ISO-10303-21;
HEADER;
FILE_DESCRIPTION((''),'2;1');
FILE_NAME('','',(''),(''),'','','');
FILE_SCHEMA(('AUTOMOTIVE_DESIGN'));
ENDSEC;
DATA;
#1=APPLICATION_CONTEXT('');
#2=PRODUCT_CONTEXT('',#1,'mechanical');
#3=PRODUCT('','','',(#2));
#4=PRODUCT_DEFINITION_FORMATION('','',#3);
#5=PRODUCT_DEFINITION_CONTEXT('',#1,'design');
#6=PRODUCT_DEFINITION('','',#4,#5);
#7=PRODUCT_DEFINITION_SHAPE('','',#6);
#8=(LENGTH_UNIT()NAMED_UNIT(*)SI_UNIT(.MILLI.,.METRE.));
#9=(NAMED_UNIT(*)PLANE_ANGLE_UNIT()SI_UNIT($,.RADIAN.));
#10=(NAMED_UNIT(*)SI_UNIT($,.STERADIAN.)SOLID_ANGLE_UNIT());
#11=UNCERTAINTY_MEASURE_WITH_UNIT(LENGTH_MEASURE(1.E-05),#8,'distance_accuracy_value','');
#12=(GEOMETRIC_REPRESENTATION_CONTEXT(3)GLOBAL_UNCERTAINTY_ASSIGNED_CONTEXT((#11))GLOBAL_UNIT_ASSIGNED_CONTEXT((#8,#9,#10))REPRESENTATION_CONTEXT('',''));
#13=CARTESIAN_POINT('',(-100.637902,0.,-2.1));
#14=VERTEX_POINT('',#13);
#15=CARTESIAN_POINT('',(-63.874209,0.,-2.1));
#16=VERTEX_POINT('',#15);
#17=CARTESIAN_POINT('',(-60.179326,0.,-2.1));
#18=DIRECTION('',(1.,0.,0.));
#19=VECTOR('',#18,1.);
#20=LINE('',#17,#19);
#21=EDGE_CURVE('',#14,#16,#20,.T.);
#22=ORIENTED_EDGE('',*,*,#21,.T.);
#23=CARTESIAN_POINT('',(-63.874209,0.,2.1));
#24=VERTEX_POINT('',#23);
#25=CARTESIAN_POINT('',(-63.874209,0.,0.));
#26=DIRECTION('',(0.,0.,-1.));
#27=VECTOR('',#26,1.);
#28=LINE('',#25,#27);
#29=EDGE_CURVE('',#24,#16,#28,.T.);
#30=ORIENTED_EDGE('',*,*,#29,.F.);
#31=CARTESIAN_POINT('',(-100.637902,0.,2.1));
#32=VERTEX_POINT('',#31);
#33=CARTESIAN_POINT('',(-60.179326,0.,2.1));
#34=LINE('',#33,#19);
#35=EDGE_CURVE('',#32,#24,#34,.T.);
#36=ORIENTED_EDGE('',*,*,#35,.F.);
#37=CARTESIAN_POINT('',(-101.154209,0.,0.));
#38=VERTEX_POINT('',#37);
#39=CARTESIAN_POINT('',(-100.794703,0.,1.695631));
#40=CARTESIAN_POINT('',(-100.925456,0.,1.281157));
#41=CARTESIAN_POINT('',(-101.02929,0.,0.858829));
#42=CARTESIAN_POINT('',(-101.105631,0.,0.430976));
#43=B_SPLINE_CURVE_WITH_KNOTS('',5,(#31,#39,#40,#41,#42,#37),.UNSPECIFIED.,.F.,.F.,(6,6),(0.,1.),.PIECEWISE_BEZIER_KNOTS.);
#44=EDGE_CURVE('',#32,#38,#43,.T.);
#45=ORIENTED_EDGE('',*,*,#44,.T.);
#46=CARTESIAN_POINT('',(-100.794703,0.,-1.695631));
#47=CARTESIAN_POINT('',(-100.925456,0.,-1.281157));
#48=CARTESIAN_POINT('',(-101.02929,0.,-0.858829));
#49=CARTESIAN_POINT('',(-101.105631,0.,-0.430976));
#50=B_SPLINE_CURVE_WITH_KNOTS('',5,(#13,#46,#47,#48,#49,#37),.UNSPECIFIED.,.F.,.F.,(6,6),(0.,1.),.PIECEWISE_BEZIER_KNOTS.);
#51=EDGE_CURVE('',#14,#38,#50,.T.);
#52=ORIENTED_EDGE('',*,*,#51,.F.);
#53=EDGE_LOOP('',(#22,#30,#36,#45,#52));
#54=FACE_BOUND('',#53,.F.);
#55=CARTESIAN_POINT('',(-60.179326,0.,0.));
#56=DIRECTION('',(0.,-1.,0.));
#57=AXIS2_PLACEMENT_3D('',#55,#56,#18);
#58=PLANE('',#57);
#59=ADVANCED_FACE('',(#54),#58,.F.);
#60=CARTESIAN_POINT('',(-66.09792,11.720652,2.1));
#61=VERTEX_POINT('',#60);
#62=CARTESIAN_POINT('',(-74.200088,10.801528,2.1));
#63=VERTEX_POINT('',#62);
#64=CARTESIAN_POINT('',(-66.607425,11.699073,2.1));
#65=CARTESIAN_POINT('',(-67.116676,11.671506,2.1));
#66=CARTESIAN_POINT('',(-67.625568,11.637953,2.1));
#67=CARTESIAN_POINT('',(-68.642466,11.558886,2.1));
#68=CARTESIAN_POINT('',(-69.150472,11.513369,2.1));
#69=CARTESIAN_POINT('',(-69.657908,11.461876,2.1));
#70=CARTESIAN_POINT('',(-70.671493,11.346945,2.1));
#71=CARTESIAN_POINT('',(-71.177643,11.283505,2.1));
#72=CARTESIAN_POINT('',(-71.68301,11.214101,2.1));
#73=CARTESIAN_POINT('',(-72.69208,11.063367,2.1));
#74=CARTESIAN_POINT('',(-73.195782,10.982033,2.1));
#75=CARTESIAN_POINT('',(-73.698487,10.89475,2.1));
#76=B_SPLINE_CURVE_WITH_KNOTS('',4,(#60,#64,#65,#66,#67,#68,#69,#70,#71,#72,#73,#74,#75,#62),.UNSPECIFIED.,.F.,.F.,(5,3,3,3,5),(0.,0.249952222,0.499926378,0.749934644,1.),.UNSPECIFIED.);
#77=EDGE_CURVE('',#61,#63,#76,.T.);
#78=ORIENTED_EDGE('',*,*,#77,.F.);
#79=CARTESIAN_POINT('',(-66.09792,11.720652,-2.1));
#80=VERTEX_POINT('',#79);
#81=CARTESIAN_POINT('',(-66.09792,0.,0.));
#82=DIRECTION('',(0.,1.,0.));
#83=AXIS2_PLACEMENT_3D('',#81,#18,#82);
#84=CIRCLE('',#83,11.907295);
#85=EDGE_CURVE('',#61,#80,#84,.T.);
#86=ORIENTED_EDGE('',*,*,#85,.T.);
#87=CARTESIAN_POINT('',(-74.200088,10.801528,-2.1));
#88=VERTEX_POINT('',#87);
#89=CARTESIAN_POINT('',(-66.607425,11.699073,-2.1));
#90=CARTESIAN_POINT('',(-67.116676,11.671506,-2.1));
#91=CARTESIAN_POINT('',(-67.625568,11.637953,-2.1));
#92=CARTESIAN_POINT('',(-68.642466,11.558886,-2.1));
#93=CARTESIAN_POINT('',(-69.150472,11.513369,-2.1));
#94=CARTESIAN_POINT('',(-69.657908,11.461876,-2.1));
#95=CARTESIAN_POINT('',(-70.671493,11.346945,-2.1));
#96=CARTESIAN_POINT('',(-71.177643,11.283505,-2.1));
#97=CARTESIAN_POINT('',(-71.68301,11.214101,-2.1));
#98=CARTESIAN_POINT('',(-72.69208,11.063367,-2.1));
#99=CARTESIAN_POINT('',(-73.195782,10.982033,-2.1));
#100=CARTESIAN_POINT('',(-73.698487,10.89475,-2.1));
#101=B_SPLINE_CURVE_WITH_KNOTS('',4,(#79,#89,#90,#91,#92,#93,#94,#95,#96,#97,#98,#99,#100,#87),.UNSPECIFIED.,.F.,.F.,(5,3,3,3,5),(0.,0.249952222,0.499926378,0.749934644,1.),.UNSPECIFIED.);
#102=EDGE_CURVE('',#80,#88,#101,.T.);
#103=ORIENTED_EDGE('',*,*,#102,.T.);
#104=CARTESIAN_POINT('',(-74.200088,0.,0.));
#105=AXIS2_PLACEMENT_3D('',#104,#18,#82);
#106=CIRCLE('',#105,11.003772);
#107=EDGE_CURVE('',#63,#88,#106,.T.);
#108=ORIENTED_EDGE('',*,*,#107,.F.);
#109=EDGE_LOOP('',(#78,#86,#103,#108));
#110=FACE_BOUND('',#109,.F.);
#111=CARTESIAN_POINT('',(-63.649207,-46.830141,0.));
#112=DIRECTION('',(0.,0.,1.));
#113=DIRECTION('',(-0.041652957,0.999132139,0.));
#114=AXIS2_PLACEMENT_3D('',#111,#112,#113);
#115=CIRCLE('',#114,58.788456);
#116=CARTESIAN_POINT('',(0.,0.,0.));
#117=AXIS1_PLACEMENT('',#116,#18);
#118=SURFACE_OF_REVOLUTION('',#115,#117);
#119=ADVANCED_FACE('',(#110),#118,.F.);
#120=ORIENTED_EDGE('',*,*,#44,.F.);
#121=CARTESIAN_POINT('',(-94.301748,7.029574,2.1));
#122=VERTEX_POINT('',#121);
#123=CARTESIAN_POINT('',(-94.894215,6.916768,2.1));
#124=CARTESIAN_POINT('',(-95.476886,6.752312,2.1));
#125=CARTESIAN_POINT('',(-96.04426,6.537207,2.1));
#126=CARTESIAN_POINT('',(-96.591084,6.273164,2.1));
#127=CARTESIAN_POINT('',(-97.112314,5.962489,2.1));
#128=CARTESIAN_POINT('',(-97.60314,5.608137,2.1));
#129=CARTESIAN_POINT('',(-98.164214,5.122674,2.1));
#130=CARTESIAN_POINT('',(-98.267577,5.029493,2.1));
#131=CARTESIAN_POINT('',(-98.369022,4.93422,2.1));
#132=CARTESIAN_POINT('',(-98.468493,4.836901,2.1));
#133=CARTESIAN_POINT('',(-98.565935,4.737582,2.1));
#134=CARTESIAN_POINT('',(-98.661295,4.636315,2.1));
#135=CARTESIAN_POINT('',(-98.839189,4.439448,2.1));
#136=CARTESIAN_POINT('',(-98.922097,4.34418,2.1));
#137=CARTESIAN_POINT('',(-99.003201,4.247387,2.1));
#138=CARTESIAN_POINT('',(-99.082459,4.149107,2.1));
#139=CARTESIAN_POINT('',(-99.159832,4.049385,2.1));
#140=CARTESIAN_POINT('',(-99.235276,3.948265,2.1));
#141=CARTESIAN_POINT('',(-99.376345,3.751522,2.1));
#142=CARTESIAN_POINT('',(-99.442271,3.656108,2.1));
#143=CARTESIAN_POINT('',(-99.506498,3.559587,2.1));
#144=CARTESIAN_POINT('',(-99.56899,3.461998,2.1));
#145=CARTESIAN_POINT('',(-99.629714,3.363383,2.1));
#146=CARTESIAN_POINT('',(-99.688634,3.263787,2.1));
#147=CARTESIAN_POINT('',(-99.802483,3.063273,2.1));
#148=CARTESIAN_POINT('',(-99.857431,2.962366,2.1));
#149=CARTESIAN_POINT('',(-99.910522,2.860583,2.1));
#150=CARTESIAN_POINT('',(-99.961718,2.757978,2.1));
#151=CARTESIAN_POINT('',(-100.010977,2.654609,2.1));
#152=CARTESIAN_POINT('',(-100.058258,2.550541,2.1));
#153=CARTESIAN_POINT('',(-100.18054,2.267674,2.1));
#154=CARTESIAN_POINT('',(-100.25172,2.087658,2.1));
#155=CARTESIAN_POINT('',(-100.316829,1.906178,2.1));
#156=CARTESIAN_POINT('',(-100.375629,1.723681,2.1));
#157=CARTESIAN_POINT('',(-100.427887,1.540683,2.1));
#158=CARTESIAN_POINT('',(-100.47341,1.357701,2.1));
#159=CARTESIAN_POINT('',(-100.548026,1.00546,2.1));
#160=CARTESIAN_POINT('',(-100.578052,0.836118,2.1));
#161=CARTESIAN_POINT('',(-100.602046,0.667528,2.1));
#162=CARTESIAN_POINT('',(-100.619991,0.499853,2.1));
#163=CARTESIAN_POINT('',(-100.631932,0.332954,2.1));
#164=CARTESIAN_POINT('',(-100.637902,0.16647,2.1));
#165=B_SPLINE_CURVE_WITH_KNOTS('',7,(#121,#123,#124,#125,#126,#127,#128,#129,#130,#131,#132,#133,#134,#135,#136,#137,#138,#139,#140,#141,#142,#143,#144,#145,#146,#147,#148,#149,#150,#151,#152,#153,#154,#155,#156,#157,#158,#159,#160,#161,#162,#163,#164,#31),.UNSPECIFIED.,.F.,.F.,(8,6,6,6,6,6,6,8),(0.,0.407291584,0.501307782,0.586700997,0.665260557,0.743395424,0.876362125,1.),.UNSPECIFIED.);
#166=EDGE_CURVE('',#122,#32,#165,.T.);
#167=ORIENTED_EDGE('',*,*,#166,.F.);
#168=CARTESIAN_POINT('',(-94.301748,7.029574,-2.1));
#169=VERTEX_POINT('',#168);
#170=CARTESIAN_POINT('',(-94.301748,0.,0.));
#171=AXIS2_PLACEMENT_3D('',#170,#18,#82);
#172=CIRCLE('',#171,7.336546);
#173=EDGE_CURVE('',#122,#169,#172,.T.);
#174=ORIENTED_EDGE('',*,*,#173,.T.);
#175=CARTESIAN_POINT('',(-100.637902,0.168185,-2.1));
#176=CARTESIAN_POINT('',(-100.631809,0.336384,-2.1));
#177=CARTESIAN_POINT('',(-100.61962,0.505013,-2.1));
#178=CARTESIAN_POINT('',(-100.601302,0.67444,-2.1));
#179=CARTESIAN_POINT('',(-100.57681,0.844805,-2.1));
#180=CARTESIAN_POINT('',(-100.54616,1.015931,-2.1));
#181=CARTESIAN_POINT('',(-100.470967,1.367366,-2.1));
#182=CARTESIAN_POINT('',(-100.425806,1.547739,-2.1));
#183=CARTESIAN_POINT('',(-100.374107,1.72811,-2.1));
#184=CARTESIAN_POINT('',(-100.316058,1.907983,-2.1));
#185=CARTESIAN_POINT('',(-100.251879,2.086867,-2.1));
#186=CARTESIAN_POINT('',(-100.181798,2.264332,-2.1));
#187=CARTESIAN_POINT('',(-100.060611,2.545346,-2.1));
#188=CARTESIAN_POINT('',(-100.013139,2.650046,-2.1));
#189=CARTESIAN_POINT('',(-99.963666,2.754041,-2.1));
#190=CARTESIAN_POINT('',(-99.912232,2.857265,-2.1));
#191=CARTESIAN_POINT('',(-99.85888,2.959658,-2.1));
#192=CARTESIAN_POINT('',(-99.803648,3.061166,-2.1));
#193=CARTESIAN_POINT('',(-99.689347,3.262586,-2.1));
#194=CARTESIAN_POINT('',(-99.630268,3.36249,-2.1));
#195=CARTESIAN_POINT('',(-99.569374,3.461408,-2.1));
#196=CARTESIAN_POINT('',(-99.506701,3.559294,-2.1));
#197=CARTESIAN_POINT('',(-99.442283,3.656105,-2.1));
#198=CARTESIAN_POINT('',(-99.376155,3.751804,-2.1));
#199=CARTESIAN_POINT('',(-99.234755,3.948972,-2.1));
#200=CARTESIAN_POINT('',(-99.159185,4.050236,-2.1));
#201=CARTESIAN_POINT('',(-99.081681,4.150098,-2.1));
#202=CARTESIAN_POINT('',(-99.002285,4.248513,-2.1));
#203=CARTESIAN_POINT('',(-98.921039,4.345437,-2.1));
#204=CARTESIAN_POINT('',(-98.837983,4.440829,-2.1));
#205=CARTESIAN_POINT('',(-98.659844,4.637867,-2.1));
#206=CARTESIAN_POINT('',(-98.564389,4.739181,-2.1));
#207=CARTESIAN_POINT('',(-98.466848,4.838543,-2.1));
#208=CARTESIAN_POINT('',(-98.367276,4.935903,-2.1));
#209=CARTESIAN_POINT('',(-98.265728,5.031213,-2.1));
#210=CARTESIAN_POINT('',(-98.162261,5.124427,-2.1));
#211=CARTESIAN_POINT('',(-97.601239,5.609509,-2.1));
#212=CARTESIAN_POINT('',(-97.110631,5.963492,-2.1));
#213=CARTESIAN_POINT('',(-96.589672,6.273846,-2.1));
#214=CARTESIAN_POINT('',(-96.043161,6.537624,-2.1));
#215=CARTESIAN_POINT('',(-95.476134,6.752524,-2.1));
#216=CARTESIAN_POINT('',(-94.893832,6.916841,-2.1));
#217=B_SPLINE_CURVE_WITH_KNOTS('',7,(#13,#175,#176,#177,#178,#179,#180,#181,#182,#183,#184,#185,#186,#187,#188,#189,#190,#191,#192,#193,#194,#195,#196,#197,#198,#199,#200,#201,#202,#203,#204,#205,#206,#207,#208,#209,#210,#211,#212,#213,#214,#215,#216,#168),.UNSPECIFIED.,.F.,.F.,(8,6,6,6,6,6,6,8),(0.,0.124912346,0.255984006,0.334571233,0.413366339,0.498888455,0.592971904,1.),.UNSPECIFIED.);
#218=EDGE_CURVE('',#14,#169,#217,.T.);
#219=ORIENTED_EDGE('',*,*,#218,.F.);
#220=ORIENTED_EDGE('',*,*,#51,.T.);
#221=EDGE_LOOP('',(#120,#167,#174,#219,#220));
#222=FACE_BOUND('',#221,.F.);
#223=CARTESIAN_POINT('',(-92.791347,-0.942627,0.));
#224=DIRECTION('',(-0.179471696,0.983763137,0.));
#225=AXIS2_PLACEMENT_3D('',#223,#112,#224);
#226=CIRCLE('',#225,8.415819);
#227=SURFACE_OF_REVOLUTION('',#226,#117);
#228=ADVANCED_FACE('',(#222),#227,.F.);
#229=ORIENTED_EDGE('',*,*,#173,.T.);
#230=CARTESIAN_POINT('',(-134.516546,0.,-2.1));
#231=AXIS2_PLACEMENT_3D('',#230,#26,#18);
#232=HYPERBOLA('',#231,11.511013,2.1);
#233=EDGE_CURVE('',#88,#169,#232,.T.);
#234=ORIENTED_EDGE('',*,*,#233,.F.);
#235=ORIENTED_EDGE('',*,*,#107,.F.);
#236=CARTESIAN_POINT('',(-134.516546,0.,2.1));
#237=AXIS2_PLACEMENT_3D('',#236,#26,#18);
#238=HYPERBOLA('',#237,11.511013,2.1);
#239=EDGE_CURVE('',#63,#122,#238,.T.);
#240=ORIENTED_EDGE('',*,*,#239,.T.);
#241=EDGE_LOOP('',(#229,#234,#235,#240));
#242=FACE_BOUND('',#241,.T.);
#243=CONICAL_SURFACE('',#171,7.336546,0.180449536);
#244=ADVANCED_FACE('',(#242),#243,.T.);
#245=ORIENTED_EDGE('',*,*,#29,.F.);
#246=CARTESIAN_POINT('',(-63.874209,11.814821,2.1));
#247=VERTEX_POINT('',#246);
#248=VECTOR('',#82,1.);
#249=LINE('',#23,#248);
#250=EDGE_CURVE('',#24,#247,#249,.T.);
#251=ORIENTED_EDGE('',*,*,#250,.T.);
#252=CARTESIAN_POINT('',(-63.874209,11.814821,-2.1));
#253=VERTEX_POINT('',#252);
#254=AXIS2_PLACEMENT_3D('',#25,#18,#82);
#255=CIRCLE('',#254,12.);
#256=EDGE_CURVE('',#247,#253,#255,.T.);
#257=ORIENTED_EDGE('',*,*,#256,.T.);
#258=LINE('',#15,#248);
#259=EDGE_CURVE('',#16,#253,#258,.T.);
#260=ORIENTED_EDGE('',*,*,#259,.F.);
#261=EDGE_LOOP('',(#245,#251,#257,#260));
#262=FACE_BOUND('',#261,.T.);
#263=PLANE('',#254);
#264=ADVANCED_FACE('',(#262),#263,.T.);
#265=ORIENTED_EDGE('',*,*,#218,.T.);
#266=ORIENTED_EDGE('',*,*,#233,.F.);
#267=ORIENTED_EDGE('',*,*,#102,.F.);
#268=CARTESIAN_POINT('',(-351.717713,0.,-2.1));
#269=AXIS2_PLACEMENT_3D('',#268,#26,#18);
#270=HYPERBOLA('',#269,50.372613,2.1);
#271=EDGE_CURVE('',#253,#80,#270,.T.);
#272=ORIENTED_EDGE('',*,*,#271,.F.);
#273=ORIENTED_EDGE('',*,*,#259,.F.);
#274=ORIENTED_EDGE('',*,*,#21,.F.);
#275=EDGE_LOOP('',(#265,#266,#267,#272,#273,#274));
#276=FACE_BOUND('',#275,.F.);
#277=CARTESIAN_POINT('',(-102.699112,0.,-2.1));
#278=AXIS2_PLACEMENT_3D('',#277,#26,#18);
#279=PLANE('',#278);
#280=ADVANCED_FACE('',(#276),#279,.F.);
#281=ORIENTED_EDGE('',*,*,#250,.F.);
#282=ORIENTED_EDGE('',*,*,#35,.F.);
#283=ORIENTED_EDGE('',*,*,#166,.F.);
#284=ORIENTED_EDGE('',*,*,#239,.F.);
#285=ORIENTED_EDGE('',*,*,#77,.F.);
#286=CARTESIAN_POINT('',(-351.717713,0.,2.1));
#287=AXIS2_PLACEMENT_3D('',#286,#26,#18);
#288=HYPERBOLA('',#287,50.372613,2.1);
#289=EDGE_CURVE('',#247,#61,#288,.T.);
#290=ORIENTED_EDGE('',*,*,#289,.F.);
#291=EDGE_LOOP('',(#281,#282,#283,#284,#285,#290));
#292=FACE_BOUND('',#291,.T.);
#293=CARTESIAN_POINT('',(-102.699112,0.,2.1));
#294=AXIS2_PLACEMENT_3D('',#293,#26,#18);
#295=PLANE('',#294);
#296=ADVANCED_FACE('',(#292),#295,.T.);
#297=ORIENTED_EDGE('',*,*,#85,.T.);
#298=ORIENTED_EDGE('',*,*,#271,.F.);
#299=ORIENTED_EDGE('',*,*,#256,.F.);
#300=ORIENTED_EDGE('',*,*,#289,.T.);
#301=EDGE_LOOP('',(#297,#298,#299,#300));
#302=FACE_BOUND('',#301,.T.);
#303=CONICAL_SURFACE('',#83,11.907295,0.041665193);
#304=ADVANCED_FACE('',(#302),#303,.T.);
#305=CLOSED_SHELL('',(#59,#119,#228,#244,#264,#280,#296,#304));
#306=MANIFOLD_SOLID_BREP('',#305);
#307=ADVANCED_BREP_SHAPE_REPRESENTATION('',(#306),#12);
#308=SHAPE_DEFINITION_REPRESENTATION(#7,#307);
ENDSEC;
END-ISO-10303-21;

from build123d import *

# Parameters (mm, degrees)
SKETCH001_W  = 85.039572
SKETCH001_H  = 4.2
POCKET_DEPTH = 20


with BuildPart() as part:
    # CopyCopySketch004 → Revolution (revolve)
    with BuildSketch(Plane.XY):
        with BuildLine():
            Line((-94.301748, 7.336546), (-74.200088, 11.003772))
            ThreePointArc((-66.09792, 11.907295), (-70.164685, 11.596147), (-74.200088, 11.003772))
            Line((-66.09792, 11.907295), (-63.874209, 12))
            Line((-63.874209, 12), (-63.874209, 0))
            Line((-63.874209, 0), (-101.154209, 0))
            ThreePointArc((-94.301748, 7.336546), (-98.941677, 4.801888), (-101.154209, 0))
        make_face()
    revolve(axis=Axis((0, 0, 0), (1, 0, 0)))

    # Sketch001 → Pocket (cut)
    with BuildSketch(Plane.XZ):
        with Locations((-60.179326, 0)):
            Rectangle(SKETCH001_W, SKETCH001_H)
    extrude(amount=-POCKET_DEPTH, mode=Mode.SUBTRACT)


solid = part.part
